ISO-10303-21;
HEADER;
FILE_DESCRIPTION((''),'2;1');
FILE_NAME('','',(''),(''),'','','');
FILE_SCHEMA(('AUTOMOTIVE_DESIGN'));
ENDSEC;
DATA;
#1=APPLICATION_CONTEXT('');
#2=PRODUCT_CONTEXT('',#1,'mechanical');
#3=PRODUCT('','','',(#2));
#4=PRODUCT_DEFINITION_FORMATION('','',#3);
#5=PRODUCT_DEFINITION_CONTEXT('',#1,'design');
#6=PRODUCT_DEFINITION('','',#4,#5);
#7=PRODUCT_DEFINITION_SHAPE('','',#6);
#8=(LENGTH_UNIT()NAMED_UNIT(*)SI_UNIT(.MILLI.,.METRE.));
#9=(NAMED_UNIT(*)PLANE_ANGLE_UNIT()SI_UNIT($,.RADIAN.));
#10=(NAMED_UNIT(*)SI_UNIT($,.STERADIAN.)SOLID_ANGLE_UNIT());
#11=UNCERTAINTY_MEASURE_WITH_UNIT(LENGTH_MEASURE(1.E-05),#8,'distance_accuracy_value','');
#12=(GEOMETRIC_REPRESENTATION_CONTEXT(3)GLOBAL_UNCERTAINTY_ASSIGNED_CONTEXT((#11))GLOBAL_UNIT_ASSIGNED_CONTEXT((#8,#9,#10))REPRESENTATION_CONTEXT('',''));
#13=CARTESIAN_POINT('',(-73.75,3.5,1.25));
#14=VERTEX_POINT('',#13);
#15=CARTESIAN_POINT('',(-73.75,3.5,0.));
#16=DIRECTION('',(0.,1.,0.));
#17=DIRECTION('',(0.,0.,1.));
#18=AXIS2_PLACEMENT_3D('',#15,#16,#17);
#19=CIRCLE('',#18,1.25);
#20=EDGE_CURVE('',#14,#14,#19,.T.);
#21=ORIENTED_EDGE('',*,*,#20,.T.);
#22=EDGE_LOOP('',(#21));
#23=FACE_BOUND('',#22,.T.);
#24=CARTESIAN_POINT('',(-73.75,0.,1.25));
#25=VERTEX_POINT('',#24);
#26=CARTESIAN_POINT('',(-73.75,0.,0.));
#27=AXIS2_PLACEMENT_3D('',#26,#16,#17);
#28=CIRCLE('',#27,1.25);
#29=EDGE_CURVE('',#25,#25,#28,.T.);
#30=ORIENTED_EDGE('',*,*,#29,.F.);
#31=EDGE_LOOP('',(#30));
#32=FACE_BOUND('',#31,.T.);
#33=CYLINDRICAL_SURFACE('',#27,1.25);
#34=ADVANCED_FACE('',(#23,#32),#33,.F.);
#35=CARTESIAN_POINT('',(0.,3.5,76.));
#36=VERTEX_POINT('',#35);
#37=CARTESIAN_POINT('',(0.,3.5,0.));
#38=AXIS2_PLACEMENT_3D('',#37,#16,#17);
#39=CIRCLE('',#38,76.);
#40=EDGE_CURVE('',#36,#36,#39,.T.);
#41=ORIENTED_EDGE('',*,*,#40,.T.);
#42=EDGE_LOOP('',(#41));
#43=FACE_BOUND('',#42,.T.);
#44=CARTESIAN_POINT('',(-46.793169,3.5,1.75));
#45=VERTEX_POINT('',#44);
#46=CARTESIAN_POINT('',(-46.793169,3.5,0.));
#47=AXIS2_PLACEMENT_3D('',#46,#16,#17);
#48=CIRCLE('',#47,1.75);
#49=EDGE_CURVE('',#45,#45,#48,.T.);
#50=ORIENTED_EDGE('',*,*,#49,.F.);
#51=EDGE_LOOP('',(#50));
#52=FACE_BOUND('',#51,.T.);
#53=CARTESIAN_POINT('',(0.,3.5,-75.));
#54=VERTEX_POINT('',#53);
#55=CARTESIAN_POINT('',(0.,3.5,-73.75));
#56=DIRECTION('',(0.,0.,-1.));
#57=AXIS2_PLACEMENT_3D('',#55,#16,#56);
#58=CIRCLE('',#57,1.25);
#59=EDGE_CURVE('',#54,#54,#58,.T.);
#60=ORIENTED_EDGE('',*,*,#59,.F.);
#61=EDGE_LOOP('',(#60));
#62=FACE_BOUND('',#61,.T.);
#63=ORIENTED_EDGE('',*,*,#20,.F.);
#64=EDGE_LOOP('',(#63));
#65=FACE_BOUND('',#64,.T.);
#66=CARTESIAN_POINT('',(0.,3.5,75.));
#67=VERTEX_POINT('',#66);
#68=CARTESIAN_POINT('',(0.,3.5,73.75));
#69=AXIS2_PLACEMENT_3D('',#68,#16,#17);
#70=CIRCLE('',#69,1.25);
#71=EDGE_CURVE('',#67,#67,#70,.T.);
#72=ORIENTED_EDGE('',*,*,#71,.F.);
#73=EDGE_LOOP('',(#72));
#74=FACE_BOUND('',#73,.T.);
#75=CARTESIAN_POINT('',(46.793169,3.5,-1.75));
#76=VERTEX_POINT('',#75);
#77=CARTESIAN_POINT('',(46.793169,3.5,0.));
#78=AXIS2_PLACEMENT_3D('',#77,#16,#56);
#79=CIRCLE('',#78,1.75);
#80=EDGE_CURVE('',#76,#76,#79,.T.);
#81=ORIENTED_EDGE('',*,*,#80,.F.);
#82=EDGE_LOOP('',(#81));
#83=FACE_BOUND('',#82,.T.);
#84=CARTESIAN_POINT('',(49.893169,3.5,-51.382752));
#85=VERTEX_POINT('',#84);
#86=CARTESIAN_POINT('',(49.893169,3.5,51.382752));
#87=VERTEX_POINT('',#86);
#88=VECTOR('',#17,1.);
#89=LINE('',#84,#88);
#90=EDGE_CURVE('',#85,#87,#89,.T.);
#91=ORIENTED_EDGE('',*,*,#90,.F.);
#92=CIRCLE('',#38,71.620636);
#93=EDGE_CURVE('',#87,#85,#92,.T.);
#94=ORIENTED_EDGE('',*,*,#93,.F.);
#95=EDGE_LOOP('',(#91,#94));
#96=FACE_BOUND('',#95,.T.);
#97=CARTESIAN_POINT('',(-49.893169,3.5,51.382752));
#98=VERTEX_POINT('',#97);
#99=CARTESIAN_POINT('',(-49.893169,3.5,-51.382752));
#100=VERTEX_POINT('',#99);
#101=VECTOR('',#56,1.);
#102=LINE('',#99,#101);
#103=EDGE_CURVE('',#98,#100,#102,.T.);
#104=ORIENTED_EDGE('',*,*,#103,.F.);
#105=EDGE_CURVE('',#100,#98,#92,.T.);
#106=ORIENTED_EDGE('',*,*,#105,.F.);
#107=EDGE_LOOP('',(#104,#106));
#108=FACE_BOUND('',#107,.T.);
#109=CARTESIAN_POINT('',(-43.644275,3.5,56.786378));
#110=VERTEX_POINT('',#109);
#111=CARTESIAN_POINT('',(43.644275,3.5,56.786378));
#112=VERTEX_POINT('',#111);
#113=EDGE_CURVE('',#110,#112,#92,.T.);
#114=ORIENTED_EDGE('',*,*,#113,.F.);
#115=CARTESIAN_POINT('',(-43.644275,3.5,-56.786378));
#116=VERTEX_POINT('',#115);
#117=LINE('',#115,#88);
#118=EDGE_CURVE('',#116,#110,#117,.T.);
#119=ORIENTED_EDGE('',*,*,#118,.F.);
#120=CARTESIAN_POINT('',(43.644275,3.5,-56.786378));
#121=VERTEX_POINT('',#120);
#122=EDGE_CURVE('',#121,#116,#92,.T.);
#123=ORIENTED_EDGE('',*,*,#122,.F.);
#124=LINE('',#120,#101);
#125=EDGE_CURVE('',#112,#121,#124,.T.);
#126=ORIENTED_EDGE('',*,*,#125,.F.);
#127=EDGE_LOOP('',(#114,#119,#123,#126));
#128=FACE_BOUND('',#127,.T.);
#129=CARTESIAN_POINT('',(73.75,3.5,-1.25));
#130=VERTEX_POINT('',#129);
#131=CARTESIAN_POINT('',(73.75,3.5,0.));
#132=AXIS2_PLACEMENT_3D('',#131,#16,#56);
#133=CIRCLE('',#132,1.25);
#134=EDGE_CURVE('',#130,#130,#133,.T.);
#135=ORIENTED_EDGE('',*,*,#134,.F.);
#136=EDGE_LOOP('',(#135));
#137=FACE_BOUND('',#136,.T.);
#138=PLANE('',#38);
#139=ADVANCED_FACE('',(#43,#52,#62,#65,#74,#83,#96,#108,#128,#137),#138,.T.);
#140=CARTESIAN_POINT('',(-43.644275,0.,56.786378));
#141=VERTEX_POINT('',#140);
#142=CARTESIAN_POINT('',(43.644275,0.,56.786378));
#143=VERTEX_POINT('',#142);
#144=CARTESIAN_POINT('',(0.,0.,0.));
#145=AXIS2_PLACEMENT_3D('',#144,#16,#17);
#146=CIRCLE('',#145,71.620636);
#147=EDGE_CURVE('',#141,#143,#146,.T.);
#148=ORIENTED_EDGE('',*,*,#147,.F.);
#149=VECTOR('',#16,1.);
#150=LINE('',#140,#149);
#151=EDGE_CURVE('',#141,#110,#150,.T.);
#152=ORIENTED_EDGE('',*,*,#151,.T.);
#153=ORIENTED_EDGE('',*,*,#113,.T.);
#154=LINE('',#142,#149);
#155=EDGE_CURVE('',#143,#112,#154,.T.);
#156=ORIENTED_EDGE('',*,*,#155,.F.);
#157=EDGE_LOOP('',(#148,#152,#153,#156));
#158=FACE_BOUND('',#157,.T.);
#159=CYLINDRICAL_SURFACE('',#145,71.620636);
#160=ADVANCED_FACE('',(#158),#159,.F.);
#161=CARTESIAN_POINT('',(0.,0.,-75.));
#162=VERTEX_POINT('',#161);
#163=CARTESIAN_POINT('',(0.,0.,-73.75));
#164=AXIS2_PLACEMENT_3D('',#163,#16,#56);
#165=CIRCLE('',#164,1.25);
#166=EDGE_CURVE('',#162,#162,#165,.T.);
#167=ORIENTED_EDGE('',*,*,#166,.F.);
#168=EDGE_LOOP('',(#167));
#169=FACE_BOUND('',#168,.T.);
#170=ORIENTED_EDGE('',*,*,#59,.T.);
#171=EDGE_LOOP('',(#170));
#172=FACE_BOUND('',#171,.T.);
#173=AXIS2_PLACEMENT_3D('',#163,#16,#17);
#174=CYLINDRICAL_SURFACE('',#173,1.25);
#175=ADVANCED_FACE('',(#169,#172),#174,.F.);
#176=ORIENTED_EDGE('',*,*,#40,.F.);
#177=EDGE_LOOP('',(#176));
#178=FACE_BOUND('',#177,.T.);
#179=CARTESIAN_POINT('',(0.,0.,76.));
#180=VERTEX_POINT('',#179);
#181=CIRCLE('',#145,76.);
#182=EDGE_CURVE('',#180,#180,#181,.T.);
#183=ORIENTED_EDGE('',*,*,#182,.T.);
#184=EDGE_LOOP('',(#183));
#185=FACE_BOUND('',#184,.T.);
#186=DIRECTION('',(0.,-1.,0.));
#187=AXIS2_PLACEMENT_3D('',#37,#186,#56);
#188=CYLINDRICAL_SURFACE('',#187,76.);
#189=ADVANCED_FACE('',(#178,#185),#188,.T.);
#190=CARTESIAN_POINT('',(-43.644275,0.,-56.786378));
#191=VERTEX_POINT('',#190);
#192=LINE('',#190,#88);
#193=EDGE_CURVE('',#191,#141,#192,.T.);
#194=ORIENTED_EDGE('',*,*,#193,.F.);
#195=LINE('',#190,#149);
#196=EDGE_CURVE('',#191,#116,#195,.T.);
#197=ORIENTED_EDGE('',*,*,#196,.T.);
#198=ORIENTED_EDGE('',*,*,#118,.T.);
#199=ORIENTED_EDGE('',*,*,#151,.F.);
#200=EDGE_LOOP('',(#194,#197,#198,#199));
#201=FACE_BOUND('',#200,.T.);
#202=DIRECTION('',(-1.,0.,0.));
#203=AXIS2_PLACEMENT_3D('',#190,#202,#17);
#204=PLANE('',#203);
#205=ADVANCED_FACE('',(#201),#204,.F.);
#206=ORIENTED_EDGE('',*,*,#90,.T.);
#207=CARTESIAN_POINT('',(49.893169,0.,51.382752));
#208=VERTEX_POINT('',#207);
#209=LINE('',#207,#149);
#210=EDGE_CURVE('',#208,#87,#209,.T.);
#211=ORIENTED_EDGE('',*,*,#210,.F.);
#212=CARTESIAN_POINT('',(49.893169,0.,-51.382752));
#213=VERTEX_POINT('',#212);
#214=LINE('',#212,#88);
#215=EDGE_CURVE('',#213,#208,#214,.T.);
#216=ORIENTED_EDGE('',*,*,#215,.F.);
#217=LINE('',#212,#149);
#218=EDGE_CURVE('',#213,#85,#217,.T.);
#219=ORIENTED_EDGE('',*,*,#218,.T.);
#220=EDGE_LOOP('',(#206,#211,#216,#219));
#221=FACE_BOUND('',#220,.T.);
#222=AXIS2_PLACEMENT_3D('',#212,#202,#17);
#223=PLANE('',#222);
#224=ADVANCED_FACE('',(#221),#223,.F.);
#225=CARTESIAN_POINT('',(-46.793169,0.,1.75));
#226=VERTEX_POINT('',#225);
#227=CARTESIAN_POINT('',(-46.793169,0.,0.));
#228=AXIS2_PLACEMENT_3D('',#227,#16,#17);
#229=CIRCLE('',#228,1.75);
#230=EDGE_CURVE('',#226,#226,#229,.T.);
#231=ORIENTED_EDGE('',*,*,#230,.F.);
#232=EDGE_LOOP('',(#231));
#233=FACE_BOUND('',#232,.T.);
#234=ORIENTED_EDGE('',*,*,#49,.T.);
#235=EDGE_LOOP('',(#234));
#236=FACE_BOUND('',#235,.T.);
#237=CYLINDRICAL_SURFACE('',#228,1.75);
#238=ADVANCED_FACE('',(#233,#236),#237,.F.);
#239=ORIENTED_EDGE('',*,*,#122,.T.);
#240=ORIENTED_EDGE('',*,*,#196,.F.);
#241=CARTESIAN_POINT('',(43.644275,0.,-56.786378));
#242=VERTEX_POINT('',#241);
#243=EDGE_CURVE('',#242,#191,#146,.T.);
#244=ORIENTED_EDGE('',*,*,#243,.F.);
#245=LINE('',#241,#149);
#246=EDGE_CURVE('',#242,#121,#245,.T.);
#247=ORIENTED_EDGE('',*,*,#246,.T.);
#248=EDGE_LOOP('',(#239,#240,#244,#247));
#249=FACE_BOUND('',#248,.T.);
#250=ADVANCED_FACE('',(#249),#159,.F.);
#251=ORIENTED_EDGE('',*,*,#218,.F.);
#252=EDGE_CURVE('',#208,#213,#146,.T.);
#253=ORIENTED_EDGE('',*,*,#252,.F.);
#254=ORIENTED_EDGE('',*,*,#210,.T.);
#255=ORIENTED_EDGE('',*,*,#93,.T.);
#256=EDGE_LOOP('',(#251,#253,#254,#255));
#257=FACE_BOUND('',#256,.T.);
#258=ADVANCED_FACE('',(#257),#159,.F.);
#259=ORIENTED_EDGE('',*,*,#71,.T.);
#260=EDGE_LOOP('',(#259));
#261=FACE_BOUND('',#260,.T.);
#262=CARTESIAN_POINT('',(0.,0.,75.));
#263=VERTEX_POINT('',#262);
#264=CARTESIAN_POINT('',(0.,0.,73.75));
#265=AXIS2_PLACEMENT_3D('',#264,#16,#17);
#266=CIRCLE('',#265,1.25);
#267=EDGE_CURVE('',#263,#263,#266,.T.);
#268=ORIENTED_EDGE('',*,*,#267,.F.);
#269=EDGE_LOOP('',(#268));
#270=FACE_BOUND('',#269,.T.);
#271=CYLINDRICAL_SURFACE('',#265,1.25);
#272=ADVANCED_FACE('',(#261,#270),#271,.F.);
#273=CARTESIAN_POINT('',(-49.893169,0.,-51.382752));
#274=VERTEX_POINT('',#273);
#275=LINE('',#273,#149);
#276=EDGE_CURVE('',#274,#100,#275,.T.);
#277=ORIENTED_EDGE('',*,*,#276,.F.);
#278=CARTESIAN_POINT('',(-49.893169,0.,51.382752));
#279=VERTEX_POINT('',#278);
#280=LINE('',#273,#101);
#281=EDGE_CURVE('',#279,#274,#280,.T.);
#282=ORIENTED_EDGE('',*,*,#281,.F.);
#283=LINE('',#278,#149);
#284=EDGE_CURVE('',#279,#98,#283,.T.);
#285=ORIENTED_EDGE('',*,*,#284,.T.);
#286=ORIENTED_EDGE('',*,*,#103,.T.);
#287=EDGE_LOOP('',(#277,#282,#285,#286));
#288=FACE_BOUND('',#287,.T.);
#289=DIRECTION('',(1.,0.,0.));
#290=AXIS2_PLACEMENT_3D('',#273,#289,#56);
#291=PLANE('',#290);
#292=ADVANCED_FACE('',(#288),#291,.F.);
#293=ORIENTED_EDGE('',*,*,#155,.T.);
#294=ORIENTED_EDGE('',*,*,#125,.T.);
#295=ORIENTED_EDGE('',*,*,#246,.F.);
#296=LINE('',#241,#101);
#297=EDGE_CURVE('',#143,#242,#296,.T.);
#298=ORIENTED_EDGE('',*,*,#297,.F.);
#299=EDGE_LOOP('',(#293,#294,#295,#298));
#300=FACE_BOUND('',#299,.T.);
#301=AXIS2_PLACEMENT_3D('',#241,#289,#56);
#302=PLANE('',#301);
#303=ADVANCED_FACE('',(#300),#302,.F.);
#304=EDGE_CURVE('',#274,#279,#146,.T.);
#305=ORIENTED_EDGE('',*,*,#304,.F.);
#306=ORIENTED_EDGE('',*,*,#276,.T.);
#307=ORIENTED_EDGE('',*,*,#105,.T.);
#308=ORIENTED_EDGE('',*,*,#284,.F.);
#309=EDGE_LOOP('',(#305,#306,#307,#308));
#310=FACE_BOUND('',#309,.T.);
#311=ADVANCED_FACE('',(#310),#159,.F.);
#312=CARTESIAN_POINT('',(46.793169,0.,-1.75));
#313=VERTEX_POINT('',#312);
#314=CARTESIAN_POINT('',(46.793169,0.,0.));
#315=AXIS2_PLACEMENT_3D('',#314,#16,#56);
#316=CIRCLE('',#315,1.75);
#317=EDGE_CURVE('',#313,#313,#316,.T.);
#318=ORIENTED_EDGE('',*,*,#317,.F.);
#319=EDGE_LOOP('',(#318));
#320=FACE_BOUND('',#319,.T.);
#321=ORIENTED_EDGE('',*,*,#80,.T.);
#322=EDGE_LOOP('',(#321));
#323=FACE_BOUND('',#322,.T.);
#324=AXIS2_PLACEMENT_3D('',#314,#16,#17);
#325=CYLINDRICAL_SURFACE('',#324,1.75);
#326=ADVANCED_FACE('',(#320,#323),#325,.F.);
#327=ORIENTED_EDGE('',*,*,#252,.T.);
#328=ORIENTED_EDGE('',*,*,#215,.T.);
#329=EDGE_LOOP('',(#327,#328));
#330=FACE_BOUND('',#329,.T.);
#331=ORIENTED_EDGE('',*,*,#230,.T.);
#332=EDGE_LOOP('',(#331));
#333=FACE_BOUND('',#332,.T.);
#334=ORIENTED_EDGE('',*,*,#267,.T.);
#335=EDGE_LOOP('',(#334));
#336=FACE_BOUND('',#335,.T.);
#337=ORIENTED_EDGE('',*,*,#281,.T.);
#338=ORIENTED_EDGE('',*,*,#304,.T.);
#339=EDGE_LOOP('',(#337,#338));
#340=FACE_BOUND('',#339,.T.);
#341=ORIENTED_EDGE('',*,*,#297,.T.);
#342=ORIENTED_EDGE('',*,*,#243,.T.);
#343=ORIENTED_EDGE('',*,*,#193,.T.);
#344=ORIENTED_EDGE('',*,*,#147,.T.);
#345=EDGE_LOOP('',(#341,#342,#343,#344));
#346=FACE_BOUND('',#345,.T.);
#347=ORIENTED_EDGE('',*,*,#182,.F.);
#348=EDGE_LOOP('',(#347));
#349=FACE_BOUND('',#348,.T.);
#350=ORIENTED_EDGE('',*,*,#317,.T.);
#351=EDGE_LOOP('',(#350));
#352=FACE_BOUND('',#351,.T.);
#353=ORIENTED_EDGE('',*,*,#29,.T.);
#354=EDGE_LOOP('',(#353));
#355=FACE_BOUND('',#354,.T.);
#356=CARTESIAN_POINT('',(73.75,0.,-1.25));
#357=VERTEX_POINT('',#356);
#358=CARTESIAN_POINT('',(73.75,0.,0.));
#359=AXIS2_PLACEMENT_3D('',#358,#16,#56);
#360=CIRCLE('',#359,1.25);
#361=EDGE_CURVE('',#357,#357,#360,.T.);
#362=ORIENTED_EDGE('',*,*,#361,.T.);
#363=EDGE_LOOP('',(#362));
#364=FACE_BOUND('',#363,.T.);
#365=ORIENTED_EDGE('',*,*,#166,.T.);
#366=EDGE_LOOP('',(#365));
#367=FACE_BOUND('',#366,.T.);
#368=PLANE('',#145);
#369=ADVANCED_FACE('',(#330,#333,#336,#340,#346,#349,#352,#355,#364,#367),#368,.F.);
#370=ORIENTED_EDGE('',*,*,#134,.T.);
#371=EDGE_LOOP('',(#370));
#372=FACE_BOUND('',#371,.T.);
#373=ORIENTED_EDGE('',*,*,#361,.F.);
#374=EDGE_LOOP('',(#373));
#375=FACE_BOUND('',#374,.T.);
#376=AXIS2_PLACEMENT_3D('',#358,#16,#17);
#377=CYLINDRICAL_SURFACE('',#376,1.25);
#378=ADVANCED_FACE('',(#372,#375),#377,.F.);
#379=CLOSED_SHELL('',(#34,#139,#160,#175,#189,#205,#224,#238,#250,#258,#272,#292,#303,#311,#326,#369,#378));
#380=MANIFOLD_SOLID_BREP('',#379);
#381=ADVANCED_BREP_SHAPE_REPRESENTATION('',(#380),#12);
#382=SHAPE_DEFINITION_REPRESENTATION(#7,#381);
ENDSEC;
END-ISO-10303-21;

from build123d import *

# Parameters (mm, degrees)
SKETCH1_R           = 76
BOSS_EXTRUDE1_DEPTH = 3.5
CUT_EXTRUDE1_DEPTH  = 4.5
SKETCH3_R           = 1.75
CUT_EXTRUDE2_DEPTH  = 4.5
SKETCH5_R           = 1.25
CUT_EXTRUDE3_DEPTH  = 4.5


with BuildPart() as part:
    # Sketch1 → Boss-Extrude1 (new body)
    with BuildSketch(Plane(origin=(0, 0, 0), x_dir=(1, 0, 0), z_dir=(0, 1, 0))):
        Circle(SKETCH1_R)
    extrude(amount=BOSS_EXTRUDE1_DEPTH)

    # Sketch2 → Cut-Extrude1 (cut, through all)
    with BuildSketch(Plane(origin=(0, 3.5, 0), x_dir=(1, 0, 0), z_dir=(0, 1, 0))):
        with BuildLine():
            Line((-49.893169191, 51.382751627), (-49.893169191, -51.382751627))
            ThreePointArc((-49.893169191, -51.382751627), (-71.620635969, 0), (-49.893169191, 51.382751627))
        make_face()
        with BuildLine():
            Line((-43.644274738, 56.786378466), (-43.644274738, -56.786378466))
            ThreePointArc((-43.644274738, -56.786378466), (0, -71.620635969), (43.644274738, -56.786378466))
            Line((43.644274738, -56.786378466), (43.644274738, 56.786378466))
            ThreePointArc((43.644274738, 56.786378466), (0, 71.620635969), (-43.644274738, 56.786378466))
        make_face()
        with BuildLine():
            Line((49.893169191, 51.382751627), (49.893169191, -51.382751627))
            ThreePointArc((49.893169191, -51.382751627), (71.620635969, 0), (49.893169191, 51.382751627))
        make_face()
    extrude(amount=-CUT_EXTRUDE1_DEPTH, mode=Mode.SUBTRACT)

    # Sketch3 → Cut-Extrude2 (cut, through all)
    with BuildSketch(Plane(origin=(0, 3.5, 0), x_dir=(1, 0, 0), z_dir=(0, 1, 0))):
        with Locations((-46.793169191, 0)):
            Circle(SKETCH3_R)
        with Locations((46.793169191, 0)):
            Circle(SKETCH3_R)
    extrude(amount=-CUT_EXTRUDE2_DEPTH, mode=Mode.SUBTRACT)

    # Sketch5 → Cut-Extrude3 (cut, through all)
    with BuildSketch(Plane(origin=(0, 3.5, 0), x_dir=(1, 0, 0), z_dir=(0, 1, 0))):
        with Locations((0, -73.75)):
            Circle(SKETCH5_R)
        with Locations((-73.75, 0)):
            Circle(SKETCH5_R)
        with Locations((73.75, 0)):
            Circle(SKETCH5_R)
        with Locations((0, 73.75)):
            Circle(SKETCH5_R)
    extrude(amount=-CUT_EXTRUDE3_DEPTH, mode=Mode.SUBTRACT)


solid = part.part
